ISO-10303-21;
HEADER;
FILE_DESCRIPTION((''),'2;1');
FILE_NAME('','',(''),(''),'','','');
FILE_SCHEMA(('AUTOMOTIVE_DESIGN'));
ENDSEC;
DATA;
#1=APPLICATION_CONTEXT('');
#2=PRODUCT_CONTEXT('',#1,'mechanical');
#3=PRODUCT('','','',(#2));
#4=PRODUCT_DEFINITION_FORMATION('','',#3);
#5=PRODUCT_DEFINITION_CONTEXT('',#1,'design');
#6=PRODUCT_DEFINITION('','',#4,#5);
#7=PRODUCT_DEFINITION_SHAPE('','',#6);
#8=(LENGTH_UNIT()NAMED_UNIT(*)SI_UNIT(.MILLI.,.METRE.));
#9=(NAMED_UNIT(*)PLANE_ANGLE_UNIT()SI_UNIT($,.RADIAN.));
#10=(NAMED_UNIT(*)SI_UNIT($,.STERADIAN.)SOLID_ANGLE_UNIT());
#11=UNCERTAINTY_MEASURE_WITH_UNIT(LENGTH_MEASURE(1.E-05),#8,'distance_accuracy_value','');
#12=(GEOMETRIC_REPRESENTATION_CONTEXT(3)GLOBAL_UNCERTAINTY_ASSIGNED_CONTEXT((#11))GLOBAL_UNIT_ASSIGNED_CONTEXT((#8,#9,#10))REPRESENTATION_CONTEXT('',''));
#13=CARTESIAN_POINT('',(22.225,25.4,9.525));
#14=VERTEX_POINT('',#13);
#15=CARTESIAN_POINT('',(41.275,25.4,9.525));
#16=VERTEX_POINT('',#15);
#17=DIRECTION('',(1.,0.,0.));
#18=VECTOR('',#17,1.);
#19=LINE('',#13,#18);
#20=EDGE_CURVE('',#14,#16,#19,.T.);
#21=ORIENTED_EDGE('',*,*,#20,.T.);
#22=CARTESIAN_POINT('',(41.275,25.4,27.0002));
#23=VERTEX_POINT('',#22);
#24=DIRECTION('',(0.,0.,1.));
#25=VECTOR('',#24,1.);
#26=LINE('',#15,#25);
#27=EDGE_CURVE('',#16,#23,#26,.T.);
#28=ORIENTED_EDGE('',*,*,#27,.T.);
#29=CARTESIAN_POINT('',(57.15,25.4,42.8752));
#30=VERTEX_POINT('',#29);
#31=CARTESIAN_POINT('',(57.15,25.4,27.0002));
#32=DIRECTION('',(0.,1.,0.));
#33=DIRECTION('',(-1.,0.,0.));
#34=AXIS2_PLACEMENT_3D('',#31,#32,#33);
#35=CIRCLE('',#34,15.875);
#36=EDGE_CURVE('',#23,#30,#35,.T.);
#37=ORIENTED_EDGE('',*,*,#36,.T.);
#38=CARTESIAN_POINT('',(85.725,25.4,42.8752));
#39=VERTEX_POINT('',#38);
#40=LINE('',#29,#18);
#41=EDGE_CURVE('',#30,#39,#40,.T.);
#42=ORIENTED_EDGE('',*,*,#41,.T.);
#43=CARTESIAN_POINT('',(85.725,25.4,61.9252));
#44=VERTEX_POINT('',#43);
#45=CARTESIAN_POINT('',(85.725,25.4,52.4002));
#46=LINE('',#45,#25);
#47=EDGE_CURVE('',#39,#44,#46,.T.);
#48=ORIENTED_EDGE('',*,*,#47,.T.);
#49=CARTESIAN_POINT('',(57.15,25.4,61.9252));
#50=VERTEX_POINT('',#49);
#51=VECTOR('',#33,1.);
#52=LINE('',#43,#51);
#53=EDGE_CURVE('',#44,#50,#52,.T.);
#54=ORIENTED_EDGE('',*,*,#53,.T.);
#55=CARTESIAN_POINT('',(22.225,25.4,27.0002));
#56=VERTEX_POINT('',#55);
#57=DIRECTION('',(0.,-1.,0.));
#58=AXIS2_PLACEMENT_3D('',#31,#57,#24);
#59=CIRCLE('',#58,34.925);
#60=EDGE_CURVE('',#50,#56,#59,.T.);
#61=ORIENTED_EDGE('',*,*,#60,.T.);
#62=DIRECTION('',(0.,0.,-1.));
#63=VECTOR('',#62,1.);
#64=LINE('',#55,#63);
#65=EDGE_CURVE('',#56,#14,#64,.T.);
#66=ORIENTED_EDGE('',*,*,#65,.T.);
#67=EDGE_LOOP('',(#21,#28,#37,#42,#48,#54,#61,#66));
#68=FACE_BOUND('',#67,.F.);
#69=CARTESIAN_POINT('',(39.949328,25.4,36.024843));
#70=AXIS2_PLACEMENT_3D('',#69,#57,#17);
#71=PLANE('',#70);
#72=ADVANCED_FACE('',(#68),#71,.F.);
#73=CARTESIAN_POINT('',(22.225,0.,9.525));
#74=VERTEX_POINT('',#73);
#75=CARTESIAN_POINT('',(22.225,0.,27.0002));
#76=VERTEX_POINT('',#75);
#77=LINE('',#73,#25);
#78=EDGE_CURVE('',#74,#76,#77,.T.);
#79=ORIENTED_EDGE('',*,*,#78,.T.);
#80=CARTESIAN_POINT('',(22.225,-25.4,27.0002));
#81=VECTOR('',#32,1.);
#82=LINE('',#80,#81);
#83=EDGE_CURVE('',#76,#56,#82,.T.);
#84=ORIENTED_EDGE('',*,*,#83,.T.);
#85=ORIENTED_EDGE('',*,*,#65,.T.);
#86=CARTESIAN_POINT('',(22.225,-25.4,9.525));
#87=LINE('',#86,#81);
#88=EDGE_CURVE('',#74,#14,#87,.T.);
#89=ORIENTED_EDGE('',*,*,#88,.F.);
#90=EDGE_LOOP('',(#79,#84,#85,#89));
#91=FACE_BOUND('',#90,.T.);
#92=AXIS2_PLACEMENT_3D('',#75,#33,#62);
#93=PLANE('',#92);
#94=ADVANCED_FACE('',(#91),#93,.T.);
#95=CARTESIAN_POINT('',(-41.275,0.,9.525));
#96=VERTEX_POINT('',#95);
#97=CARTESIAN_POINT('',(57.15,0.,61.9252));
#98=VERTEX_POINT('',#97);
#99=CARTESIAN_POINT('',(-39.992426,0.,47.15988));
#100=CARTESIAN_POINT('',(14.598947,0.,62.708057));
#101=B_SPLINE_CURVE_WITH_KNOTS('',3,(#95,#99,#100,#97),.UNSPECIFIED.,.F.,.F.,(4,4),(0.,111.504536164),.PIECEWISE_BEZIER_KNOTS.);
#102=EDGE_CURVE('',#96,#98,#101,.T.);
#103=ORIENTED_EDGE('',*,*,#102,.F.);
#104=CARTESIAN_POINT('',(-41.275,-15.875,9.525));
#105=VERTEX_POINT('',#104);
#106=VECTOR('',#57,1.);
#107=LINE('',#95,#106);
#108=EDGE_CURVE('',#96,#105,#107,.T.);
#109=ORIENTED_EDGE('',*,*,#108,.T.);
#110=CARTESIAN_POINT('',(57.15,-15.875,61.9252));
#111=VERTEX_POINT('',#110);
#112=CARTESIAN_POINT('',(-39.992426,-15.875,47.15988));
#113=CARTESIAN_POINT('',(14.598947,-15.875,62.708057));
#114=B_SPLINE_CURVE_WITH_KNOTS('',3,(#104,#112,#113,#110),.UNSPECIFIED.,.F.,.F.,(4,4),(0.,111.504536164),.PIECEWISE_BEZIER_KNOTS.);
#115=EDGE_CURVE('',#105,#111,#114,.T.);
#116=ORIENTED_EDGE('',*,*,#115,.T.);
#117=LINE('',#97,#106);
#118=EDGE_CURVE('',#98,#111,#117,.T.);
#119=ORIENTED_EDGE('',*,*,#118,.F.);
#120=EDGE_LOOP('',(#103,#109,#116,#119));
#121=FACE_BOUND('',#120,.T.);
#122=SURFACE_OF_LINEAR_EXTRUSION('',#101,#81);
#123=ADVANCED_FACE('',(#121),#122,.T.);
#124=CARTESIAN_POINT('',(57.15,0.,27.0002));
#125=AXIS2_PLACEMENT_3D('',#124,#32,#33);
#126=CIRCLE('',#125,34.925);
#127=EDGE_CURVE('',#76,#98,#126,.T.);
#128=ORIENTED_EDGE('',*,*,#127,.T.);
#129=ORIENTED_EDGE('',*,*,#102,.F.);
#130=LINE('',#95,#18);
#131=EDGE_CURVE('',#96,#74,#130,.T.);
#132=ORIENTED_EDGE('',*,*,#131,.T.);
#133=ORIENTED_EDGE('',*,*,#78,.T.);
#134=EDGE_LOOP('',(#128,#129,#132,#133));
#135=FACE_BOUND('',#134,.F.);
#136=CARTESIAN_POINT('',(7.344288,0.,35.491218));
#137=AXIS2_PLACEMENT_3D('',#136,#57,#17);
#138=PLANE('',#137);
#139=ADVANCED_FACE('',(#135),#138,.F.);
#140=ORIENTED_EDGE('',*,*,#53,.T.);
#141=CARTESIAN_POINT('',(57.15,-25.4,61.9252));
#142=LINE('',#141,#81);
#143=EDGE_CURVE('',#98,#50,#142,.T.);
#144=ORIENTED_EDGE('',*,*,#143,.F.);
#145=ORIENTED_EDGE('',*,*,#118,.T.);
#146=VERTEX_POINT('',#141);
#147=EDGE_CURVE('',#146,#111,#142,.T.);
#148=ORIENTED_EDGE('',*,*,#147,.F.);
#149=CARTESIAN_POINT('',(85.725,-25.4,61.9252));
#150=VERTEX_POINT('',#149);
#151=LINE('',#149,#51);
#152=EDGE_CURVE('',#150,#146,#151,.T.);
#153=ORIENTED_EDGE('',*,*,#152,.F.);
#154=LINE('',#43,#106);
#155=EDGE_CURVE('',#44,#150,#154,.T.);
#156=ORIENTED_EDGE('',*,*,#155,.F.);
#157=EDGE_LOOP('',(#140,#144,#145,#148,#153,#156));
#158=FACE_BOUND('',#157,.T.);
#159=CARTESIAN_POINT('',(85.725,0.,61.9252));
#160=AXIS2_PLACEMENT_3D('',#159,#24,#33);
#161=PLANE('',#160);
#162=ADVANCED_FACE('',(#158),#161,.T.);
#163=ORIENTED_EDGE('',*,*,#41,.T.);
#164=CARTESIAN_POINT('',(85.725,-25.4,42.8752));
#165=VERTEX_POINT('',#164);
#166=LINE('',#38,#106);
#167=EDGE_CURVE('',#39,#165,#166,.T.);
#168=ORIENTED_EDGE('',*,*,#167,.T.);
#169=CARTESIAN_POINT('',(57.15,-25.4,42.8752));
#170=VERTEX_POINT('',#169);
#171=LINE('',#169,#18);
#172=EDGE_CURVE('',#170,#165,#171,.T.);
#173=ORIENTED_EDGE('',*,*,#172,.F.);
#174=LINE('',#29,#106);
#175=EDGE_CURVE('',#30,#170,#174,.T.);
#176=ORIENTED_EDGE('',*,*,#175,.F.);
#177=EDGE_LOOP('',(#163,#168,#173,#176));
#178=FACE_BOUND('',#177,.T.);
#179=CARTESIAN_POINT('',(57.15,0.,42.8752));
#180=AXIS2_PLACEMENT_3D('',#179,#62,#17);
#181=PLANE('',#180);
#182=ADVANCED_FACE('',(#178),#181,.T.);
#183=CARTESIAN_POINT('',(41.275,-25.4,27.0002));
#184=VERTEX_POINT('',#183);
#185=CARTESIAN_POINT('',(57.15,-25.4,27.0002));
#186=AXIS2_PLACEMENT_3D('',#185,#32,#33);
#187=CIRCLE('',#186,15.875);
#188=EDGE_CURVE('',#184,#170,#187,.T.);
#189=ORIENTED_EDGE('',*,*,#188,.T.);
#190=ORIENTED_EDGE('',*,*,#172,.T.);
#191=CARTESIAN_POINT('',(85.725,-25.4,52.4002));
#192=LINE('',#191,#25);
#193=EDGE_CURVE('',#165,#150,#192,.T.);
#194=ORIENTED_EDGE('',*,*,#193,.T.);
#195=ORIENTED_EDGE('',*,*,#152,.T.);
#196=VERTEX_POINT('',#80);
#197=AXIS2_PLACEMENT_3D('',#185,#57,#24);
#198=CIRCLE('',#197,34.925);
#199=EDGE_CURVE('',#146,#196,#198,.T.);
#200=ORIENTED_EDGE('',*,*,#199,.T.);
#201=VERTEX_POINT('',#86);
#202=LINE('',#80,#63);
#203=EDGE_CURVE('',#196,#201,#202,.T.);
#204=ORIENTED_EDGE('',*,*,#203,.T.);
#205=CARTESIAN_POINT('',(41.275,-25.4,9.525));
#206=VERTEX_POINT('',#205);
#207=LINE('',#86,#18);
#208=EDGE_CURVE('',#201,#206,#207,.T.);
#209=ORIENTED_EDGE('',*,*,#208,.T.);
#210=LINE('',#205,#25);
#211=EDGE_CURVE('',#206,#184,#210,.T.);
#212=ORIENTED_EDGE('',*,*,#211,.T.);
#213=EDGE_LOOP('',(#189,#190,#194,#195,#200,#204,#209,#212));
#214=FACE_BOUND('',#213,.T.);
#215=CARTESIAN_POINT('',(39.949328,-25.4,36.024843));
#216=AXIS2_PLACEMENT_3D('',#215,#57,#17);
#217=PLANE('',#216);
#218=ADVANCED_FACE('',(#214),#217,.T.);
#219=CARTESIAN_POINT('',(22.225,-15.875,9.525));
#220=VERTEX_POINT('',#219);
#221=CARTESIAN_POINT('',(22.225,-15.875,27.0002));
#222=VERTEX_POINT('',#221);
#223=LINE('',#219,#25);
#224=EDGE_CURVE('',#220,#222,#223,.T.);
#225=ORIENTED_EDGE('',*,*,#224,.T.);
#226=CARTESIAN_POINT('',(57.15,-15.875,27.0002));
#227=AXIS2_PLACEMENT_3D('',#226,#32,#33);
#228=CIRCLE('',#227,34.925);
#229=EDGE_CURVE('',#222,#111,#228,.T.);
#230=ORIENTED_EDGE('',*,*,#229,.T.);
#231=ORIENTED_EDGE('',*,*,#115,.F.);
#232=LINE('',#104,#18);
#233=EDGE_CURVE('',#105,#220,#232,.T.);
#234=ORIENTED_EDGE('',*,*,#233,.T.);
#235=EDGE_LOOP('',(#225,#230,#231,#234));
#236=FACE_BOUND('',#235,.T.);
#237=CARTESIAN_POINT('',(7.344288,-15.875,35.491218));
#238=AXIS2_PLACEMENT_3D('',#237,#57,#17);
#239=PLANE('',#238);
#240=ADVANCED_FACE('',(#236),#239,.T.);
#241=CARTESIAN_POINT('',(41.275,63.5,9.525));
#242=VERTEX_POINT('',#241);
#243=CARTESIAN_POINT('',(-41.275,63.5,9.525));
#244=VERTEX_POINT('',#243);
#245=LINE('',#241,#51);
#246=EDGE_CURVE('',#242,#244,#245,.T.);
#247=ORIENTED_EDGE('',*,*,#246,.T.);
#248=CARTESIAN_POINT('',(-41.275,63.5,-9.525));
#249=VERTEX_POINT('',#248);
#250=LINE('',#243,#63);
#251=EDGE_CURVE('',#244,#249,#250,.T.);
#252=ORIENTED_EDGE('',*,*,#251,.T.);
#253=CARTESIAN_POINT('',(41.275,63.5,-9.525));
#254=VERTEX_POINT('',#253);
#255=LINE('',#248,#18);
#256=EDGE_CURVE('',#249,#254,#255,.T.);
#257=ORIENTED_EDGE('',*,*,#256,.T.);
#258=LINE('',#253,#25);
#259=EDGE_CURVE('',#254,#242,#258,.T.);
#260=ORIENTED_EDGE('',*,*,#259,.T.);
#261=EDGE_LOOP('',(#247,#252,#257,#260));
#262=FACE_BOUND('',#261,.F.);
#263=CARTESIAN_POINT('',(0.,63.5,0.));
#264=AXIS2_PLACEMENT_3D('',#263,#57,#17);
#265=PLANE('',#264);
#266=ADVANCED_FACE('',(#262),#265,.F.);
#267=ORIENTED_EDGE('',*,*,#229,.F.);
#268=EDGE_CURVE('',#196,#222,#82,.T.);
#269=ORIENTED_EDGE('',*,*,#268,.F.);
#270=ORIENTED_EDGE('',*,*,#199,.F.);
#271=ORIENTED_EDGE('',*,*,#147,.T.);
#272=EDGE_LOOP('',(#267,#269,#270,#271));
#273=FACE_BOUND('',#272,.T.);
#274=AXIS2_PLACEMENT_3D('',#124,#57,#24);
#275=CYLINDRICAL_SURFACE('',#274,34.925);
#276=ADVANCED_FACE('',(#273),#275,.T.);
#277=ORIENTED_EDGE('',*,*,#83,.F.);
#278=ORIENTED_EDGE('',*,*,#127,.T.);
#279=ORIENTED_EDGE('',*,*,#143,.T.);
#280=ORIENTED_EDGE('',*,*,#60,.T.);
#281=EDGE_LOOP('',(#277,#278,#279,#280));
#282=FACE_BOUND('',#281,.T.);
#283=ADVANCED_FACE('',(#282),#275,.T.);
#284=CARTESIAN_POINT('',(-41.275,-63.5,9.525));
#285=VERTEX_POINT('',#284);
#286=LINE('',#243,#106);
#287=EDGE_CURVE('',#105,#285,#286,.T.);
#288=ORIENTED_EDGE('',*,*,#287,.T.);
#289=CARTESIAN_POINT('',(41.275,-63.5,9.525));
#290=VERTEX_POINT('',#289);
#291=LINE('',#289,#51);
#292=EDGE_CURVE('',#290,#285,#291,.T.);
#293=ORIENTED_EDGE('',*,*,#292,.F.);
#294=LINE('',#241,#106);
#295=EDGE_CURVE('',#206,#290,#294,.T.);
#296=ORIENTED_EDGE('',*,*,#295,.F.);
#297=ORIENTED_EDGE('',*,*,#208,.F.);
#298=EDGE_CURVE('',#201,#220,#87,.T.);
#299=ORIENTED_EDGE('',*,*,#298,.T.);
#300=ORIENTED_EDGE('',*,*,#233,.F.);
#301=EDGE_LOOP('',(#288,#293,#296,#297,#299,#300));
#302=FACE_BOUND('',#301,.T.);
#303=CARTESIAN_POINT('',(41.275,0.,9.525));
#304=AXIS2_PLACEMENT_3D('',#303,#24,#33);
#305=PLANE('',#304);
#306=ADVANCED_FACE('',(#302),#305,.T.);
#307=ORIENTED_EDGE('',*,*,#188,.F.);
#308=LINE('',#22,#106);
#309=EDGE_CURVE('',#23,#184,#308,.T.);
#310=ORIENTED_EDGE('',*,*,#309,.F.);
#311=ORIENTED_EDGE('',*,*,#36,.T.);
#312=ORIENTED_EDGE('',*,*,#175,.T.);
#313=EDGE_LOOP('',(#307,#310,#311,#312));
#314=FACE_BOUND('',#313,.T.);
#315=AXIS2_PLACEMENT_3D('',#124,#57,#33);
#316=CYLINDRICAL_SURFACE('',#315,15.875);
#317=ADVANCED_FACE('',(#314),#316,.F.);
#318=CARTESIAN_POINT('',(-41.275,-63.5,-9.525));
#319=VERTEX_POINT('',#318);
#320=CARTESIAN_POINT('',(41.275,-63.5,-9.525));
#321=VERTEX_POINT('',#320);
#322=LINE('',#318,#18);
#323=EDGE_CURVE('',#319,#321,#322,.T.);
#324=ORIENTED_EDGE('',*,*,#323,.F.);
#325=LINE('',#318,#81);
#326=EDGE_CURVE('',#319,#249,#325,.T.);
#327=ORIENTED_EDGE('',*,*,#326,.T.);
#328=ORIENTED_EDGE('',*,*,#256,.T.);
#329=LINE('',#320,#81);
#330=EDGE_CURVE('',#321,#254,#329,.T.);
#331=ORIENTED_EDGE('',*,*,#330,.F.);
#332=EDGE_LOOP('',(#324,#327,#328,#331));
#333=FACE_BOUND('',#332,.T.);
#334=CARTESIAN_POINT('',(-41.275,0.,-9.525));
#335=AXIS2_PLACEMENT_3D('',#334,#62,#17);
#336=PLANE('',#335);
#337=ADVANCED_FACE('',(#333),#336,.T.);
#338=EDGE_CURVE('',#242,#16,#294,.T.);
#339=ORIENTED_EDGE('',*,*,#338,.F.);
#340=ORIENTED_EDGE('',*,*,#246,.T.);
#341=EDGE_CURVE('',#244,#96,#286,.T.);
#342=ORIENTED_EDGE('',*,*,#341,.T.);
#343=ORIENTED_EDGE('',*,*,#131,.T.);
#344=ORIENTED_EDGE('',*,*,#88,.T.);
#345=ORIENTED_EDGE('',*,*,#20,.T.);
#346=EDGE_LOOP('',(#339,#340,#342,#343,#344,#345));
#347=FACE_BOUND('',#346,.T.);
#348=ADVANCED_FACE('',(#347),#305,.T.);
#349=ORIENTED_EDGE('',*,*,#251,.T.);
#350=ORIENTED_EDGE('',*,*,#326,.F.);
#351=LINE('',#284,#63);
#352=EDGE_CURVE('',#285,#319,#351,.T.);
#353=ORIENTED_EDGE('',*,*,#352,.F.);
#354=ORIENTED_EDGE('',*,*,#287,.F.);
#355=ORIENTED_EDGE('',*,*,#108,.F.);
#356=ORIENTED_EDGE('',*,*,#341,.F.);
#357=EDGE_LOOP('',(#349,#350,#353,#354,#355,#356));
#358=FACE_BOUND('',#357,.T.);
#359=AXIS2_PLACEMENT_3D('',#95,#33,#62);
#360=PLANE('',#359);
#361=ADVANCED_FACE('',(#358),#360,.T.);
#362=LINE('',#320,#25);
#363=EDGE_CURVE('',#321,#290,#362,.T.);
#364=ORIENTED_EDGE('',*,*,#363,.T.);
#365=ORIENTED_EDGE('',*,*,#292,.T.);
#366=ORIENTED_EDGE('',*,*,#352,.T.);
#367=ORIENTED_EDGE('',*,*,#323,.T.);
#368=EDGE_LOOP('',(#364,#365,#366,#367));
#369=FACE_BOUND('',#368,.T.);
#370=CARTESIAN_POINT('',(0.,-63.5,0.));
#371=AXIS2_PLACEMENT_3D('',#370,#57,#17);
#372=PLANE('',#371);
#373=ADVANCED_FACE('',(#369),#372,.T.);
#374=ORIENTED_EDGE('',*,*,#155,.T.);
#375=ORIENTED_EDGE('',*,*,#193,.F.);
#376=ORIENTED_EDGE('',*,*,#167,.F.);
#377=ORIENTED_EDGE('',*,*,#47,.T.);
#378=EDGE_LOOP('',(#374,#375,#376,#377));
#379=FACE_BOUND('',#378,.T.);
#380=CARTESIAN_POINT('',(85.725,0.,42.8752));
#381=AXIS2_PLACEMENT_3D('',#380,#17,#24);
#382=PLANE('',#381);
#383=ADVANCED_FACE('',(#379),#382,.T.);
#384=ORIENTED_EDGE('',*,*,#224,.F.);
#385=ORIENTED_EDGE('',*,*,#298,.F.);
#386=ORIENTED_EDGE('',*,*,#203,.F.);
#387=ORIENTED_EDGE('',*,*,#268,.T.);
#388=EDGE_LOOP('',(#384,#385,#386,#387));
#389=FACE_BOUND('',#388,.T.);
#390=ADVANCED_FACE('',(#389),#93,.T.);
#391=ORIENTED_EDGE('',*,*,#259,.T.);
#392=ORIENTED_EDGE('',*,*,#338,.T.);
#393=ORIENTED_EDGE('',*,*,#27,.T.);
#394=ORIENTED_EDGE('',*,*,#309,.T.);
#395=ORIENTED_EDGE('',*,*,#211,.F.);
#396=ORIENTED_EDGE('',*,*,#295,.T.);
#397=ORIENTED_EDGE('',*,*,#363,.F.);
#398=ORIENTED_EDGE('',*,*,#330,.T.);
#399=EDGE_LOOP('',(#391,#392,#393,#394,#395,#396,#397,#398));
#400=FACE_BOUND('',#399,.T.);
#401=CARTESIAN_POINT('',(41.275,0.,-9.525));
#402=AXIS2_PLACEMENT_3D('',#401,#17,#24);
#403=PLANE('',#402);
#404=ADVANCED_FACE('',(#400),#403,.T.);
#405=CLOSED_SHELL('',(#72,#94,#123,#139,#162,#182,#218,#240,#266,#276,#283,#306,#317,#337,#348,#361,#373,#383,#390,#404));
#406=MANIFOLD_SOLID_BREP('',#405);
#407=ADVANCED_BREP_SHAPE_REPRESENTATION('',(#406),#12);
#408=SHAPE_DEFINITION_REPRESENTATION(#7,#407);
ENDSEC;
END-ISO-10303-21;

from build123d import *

# Parameters (mm, degrees)
F1_DEPTH = 63.5
F0_W     = 25.4
F0_H     = 19.05
F2_DEPTH = 25.4
F3_DEPTH = 15.875


with BuildPart() as f1:
    # F0 (on Front) → F1 (new body, symmetric)
    with BuildSketch(Plane.XZ):
        Polygon((41.275, -9.525), (41.275, 9.525), (22.225, 9.525), (-41.275, 9.525), (-41.275, -9.525), align=None)
    extrude(amount=F1_DEPTH, both=True)

    # F0 (on Front) → F2 (join, symmetric)
    with BuildSketch(Plane.XZ):
        with BuildLine():
            Line((22.225, 9.525), (41.275, 9.525))
            Line((41.275, 9.525), (41.275, 27.0002))
            ThreePointArc((41.275, 27.0002), (45.9246798487, 38.2255201513), (57.15, 42.8752))
            Line((57.15, 42.8752), (60.325, 42.8752))
            Line((60.325, 42.8752), (60.325, 61.9252))
            Line((60.325, 61.9252), (57.15, 61.9252))
            ThreePointArc((57.15, 61.9252), (32.4542956671, 51.6959043329), (22.225, 27.0002))
            Line((22.225, 27.0002), (22.225, 9.525))
        make_face()
        with Locations((73.025, 52.4002)):
            Rectangle(F0_W, F0_H)
    extrude(amount=F2_DEPTH, both=True)

    # F0 (on Front) → F3 (join)
    with BuildSketch(Plane.XZ):
        with BuildLine():
            Line((-41.275, 9.525), (22.225, 9.525))
            Line((22.225, 9.525), (22.225, 27.0002))
            ThreePointArc((22.225, 27.0002), (32.4542956671, 51.6959043329), (57.15, 61.9252))
            add(Edge.make_bspline(
                [(-41.275, 9.525), (-39.9924255908, 47.1598803997), (14.5989470184, 62.7080574632), (57.15, 61.9252)],
                knots=[0, 0, 0, 0, 111.5045361635, 111.5045361635, 111.5045361635, 111.5045361635], degree=3))
        make_face()
    extrude(amount=F3_DEPTH)


solid = f1.part
